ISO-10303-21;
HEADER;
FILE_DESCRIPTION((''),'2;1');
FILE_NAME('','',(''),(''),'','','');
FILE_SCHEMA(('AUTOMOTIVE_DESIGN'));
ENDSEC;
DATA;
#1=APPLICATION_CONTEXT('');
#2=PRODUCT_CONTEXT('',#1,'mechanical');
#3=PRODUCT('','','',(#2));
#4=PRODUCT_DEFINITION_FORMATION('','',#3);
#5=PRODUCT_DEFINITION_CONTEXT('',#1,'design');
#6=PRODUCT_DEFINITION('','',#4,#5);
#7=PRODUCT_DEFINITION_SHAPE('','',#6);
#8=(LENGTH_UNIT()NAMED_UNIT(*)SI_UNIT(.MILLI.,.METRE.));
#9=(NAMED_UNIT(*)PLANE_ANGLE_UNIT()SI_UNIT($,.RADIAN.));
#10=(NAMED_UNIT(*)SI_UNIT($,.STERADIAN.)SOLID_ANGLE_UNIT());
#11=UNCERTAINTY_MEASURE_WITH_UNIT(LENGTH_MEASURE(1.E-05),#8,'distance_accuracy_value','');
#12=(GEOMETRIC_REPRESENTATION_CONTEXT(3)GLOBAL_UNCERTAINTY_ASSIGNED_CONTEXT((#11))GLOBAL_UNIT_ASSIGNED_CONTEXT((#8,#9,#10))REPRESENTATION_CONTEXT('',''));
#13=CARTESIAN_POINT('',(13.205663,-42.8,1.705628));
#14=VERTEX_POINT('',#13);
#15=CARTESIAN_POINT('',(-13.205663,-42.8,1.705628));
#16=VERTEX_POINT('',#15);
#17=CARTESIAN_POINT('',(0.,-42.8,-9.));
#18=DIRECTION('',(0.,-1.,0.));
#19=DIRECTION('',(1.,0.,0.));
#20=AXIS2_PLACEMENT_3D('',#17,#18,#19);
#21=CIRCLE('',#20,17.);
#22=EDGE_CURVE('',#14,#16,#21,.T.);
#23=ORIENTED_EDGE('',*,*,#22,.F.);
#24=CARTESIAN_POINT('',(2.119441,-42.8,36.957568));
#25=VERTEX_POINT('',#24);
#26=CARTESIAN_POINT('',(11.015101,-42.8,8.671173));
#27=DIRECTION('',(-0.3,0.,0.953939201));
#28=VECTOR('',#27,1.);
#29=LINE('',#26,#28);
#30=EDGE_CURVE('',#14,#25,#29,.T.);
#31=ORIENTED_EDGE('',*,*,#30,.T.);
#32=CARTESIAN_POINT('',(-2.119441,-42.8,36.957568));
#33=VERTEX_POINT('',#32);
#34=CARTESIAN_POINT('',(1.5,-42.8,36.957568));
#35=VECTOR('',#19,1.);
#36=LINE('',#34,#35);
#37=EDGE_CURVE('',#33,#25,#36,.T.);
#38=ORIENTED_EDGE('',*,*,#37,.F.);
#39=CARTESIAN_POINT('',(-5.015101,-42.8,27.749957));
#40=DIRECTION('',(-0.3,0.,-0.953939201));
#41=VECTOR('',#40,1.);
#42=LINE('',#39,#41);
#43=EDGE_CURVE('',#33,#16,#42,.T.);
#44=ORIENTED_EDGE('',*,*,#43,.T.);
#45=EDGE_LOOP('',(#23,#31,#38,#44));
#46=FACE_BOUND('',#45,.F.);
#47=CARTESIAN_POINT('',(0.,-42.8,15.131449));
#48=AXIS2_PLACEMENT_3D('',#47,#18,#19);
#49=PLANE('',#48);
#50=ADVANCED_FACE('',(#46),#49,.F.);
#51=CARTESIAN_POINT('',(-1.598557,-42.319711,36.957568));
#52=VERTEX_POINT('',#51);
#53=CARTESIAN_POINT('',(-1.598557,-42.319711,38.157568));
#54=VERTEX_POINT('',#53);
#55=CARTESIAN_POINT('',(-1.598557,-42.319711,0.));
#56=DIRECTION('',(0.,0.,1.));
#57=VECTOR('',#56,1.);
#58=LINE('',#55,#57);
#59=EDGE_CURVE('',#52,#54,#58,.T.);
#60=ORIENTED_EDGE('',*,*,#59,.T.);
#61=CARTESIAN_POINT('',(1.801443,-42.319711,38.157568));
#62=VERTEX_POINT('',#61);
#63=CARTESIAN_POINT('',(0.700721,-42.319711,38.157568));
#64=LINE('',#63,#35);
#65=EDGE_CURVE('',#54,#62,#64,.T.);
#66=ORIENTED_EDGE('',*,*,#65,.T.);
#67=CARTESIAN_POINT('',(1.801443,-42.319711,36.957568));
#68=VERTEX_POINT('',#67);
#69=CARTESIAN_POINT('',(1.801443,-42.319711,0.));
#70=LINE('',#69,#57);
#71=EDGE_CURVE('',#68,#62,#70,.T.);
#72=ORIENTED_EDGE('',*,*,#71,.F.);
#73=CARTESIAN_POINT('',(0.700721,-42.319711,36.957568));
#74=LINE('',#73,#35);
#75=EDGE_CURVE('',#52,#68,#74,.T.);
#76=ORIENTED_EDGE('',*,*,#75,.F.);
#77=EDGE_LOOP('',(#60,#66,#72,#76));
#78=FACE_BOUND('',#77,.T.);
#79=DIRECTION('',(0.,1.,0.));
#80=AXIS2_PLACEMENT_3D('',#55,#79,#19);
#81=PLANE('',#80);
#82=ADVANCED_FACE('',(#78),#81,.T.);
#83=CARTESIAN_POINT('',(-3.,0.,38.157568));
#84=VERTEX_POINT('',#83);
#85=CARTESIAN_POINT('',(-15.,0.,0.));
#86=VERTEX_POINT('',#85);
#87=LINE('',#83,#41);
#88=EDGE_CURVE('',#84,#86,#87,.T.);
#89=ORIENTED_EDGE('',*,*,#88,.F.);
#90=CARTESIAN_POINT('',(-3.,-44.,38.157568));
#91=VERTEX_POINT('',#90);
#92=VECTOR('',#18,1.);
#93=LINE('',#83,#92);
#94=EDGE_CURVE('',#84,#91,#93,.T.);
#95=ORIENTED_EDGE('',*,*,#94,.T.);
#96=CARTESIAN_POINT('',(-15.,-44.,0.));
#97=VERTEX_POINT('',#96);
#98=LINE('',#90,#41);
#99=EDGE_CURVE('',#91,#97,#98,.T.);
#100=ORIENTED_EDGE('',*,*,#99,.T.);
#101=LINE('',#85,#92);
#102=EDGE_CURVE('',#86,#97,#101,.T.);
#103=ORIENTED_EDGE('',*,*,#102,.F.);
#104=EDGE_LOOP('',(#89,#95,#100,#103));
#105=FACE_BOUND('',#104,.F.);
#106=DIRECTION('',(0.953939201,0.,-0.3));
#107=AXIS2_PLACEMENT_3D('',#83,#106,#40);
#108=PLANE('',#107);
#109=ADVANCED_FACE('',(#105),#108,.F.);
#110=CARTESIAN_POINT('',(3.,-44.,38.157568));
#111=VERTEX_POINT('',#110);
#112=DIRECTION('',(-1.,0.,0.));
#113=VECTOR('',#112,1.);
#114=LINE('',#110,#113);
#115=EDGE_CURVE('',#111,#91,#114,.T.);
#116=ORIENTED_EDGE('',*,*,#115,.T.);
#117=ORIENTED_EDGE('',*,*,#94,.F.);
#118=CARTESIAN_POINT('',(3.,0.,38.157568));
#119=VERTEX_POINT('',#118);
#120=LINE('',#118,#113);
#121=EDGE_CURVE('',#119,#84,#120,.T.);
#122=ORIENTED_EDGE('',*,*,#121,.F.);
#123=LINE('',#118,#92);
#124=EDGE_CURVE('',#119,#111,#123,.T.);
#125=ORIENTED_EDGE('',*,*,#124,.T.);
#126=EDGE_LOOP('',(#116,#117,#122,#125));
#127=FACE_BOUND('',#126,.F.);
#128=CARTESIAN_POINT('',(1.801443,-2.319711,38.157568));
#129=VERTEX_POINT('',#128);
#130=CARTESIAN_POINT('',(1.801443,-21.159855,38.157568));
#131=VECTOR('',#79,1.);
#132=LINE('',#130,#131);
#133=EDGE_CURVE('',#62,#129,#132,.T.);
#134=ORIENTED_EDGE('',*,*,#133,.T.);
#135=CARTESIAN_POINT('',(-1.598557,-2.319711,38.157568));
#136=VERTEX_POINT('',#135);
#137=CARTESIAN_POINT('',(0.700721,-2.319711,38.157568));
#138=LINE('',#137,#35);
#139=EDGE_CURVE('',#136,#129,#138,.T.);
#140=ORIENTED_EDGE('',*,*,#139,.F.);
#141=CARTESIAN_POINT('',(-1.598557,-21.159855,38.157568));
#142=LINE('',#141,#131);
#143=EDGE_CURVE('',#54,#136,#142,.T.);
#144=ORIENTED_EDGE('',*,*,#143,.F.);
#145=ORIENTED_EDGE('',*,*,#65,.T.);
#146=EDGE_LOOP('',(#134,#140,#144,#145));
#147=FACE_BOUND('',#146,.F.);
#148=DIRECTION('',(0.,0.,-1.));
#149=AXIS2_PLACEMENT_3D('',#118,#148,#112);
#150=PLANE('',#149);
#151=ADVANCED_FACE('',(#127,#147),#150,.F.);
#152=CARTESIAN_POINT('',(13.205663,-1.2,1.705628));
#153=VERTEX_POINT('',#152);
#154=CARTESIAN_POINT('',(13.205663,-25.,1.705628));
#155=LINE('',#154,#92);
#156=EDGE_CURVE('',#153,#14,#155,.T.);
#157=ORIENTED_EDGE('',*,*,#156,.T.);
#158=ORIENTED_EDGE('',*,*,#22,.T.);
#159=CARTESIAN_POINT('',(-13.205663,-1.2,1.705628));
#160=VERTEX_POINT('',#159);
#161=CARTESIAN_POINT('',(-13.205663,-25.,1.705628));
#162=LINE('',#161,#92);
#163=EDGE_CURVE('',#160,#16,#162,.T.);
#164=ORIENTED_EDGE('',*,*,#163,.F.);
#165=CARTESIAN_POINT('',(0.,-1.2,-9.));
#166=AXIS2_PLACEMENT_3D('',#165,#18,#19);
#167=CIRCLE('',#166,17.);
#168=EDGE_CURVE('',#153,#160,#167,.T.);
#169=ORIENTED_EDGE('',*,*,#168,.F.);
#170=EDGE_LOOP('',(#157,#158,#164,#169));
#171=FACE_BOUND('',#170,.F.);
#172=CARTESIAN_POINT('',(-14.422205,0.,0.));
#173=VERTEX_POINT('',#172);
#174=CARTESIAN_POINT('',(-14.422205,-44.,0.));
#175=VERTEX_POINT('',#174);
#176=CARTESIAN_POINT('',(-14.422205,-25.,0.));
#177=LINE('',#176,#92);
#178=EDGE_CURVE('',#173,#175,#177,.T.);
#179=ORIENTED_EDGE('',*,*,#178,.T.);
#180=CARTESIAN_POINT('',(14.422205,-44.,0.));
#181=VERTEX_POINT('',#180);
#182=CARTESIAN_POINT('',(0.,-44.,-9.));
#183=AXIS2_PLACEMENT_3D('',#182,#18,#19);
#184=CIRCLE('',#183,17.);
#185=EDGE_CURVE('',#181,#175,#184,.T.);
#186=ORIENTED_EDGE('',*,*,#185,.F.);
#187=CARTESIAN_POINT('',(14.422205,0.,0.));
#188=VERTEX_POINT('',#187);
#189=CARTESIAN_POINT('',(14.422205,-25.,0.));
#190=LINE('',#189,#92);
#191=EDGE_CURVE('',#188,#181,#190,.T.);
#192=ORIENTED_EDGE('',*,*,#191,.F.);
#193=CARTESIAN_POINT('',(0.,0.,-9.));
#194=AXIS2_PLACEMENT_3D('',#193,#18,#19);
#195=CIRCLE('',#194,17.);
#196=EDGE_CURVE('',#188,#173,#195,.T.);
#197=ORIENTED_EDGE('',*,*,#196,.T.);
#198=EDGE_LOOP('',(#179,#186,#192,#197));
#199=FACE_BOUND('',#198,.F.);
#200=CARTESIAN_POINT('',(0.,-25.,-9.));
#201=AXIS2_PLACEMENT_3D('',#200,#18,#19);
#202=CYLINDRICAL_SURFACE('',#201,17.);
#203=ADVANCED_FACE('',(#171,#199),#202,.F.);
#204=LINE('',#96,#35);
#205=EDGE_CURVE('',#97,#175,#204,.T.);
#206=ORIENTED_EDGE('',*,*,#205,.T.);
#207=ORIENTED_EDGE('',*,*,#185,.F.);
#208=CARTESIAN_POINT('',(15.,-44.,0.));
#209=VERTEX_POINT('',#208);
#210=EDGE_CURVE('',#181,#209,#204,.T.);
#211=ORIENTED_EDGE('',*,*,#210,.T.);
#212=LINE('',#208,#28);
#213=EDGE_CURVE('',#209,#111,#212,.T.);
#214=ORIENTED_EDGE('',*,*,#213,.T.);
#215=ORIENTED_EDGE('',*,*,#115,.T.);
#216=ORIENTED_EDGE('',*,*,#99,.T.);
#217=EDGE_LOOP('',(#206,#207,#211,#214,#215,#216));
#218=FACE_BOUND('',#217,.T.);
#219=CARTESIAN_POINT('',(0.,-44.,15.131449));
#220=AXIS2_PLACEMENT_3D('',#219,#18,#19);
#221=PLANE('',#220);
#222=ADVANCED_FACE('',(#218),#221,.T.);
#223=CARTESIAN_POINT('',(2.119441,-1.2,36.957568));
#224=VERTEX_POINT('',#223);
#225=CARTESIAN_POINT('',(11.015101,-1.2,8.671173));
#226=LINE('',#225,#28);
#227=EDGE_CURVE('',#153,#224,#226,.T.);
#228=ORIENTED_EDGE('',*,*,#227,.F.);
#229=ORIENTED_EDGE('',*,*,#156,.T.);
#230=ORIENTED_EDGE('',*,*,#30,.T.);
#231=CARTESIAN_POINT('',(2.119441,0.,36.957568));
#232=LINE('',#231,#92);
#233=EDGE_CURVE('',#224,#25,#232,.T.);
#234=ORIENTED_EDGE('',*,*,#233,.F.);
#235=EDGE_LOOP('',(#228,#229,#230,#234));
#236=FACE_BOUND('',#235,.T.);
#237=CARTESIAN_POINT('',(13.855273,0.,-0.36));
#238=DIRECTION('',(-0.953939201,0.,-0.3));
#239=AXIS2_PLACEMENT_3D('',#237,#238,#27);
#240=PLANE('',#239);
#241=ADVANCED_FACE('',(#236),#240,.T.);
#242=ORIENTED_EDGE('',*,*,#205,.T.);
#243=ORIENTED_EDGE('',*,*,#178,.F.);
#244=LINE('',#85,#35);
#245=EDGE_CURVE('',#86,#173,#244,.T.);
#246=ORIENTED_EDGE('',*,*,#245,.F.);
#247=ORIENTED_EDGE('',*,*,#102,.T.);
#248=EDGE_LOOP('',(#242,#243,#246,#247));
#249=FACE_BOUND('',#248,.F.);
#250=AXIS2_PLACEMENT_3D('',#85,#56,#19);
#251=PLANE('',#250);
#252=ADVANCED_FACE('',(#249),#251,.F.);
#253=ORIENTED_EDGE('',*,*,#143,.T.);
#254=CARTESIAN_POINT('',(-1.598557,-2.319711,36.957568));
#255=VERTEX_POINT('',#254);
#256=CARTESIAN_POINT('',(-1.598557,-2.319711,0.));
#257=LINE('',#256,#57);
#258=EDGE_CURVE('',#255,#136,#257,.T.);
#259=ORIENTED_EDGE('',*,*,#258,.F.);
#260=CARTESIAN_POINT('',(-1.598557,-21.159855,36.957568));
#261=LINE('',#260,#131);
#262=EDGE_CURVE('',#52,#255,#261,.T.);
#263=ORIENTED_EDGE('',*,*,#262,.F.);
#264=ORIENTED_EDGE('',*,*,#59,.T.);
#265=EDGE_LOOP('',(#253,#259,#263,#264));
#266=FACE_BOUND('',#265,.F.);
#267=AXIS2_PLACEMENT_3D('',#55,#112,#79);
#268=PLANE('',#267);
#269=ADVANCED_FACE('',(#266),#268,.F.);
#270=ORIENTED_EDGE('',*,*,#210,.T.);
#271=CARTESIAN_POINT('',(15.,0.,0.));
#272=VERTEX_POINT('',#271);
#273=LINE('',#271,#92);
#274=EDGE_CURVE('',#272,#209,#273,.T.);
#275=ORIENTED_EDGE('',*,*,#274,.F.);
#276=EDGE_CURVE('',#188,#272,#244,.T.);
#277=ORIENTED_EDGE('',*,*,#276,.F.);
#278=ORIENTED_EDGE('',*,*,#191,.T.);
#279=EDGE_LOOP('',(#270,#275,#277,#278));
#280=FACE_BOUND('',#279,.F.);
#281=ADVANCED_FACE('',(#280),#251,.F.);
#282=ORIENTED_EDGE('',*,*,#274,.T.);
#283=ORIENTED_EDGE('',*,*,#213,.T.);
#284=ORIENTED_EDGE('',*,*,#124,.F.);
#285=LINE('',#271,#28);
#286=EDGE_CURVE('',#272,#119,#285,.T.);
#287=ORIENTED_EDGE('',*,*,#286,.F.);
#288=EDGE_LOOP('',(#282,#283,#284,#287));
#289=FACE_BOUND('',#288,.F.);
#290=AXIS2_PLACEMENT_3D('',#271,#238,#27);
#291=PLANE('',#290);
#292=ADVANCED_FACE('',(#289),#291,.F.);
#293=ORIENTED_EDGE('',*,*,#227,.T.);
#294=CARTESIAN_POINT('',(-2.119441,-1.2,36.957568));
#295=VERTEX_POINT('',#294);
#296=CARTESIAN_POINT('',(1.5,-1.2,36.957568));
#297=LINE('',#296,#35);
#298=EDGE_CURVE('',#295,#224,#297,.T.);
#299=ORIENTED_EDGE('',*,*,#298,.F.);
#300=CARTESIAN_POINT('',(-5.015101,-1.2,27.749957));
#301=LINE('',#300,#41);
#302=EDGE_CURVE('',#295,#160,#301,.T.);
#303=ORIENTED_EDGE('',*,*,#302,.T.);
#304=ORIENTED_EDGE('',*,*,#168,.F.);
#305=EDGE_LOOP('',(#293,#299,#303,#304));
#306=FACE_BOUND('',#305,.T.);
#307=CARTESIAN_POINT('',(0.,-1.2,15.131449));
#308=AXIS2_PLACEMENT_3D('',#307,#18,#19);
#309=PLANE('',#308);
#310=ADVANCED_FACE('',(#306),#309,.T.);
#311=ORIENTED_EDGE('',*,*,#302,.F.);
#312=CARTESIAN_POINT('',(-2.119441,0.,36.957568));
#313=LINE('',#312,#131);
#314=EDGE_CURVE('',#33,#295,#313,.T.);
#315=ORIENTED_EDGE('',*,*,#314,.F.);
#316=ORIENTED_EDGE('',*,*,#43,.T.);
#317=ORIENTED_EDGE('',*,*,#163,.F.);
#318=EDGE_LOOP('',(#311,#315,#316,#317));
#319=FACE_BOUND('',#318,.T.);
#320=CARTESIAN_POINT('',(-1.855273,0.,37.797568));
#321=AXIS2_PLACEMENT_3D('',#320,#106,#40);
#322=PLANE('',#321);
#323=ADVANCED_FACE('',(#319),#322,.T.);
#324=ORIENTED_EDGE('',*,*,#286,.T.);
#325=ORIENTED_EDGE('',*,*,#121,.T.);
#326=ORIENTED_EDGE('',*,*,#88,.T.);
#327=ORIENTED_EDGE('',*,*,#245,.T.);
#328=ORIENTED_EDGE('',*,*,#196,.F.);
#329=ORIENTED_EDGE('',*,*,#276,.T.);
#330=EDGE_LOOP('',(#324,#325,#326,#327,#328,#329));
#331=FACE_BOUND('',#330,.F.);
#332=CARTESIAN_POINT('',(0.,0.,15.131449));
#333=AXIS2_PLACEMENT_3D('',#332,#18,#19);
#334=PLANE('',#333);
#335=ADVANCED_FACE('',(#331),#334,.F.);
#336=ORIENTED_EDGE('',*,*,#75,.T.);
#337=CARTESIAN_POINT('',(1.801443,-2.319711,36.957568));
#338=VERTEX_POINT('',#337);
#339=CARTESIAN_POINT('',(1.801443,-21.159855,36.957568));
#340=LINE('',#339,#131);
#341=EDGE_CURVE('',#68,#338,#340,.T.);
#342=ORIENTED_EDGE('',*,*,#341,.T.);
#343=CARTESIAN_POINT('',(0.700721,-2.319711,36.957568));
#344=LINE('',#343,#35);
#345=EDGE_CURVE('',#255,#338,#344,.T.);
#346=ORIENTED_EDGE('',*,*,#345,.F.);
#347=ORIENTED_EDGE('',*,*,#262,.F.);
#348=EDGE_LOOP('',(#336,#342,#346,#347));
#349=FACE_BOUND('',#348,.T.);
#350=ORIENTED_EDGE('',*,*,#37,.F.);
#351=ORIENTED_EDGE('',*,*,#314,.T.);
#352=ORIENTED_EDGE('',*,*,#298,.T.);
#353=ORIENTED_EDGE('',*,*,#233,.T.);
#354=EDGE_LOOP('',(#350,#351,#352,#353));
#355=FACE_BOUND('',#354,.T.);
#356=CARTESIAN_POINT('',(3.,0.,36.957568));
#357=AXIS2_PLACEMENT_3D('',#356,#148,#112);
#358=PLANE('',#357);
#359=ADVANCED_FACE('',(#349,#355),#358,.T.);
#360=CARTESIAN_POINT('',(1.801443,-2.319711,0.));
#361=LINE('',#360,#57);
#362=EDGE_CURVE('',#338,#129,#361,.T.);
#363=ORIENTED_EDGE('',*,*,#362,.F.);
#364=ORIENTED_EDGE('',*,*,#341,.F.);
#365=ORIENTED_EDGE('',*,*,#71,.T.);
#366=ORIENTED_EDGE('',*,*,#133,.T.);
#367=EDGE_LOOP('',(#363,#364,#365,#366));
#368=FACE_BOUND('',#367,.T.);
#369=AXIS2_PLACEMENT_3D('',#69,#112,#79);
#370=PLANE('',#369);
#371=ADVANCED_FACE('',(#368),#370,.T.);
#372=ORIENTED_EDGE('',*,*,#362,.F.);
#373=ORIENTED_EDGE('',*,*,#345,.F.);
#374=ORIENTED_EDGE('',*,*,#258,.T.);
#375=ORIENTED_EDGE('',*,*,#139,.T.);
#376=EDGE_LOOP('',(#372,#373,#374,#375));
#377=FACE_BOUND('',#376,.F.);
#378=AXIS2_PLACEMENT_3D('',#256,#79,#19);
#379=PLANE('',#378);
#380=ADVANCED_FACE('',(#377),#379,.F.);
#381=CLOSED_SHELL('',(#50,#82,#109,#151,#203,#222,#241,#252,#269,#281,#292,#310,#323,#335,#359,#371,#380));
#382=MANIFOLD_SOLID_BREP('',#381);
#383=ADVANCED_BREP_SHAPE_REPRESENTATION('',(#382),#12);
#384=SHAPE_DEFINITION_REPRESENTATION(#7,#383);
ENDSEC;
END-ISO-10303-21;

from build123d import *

# Parameters (mm, degrees)
F1_DEPTH = 44
F4_T     = -1.2
F3_R     = 17
F5_DEPTH = 25
F6_W     = 3.4
F6_H     = 40
F7_DEPTH = 50


with BuildPart() as f1:
    # F0 (on Front) → F1 (new body)
    with BuildSketch(Plane.XZ):
        Polygon((-3, 38.157568), (-15, 0), (15, 0), (3, 38.157568), align=None)
    extrude(amount=F1_DEPTH)

    # F4
    f4_openings = [f1.faces().sort_by_distance(p)[0] for p in [
        (0, -22, 0),
    ]]
    offset(amount=F4_T, openings=f4_openings)

    # F3 (on offset) → F5 (cut, symmetric)
    with BuildSketch(Plane.XZ.offset(25)):
        with Locations((0, -9)):
            Circle(F3_R)
    extrude(amount=F5_DEPTH, both=True, mode=Mode.SUBTRACT)

    # F6 (on Top) → F7 (cut)
    with BuildSketch(Plane.XY):
        with Locations((0.101443, -22.319711)):
            Rectangle(F6_W, F6_H)
    extrude(amount=F7_DEPTH, mode=Mode.SUBTRACT)


solid = f1.part
